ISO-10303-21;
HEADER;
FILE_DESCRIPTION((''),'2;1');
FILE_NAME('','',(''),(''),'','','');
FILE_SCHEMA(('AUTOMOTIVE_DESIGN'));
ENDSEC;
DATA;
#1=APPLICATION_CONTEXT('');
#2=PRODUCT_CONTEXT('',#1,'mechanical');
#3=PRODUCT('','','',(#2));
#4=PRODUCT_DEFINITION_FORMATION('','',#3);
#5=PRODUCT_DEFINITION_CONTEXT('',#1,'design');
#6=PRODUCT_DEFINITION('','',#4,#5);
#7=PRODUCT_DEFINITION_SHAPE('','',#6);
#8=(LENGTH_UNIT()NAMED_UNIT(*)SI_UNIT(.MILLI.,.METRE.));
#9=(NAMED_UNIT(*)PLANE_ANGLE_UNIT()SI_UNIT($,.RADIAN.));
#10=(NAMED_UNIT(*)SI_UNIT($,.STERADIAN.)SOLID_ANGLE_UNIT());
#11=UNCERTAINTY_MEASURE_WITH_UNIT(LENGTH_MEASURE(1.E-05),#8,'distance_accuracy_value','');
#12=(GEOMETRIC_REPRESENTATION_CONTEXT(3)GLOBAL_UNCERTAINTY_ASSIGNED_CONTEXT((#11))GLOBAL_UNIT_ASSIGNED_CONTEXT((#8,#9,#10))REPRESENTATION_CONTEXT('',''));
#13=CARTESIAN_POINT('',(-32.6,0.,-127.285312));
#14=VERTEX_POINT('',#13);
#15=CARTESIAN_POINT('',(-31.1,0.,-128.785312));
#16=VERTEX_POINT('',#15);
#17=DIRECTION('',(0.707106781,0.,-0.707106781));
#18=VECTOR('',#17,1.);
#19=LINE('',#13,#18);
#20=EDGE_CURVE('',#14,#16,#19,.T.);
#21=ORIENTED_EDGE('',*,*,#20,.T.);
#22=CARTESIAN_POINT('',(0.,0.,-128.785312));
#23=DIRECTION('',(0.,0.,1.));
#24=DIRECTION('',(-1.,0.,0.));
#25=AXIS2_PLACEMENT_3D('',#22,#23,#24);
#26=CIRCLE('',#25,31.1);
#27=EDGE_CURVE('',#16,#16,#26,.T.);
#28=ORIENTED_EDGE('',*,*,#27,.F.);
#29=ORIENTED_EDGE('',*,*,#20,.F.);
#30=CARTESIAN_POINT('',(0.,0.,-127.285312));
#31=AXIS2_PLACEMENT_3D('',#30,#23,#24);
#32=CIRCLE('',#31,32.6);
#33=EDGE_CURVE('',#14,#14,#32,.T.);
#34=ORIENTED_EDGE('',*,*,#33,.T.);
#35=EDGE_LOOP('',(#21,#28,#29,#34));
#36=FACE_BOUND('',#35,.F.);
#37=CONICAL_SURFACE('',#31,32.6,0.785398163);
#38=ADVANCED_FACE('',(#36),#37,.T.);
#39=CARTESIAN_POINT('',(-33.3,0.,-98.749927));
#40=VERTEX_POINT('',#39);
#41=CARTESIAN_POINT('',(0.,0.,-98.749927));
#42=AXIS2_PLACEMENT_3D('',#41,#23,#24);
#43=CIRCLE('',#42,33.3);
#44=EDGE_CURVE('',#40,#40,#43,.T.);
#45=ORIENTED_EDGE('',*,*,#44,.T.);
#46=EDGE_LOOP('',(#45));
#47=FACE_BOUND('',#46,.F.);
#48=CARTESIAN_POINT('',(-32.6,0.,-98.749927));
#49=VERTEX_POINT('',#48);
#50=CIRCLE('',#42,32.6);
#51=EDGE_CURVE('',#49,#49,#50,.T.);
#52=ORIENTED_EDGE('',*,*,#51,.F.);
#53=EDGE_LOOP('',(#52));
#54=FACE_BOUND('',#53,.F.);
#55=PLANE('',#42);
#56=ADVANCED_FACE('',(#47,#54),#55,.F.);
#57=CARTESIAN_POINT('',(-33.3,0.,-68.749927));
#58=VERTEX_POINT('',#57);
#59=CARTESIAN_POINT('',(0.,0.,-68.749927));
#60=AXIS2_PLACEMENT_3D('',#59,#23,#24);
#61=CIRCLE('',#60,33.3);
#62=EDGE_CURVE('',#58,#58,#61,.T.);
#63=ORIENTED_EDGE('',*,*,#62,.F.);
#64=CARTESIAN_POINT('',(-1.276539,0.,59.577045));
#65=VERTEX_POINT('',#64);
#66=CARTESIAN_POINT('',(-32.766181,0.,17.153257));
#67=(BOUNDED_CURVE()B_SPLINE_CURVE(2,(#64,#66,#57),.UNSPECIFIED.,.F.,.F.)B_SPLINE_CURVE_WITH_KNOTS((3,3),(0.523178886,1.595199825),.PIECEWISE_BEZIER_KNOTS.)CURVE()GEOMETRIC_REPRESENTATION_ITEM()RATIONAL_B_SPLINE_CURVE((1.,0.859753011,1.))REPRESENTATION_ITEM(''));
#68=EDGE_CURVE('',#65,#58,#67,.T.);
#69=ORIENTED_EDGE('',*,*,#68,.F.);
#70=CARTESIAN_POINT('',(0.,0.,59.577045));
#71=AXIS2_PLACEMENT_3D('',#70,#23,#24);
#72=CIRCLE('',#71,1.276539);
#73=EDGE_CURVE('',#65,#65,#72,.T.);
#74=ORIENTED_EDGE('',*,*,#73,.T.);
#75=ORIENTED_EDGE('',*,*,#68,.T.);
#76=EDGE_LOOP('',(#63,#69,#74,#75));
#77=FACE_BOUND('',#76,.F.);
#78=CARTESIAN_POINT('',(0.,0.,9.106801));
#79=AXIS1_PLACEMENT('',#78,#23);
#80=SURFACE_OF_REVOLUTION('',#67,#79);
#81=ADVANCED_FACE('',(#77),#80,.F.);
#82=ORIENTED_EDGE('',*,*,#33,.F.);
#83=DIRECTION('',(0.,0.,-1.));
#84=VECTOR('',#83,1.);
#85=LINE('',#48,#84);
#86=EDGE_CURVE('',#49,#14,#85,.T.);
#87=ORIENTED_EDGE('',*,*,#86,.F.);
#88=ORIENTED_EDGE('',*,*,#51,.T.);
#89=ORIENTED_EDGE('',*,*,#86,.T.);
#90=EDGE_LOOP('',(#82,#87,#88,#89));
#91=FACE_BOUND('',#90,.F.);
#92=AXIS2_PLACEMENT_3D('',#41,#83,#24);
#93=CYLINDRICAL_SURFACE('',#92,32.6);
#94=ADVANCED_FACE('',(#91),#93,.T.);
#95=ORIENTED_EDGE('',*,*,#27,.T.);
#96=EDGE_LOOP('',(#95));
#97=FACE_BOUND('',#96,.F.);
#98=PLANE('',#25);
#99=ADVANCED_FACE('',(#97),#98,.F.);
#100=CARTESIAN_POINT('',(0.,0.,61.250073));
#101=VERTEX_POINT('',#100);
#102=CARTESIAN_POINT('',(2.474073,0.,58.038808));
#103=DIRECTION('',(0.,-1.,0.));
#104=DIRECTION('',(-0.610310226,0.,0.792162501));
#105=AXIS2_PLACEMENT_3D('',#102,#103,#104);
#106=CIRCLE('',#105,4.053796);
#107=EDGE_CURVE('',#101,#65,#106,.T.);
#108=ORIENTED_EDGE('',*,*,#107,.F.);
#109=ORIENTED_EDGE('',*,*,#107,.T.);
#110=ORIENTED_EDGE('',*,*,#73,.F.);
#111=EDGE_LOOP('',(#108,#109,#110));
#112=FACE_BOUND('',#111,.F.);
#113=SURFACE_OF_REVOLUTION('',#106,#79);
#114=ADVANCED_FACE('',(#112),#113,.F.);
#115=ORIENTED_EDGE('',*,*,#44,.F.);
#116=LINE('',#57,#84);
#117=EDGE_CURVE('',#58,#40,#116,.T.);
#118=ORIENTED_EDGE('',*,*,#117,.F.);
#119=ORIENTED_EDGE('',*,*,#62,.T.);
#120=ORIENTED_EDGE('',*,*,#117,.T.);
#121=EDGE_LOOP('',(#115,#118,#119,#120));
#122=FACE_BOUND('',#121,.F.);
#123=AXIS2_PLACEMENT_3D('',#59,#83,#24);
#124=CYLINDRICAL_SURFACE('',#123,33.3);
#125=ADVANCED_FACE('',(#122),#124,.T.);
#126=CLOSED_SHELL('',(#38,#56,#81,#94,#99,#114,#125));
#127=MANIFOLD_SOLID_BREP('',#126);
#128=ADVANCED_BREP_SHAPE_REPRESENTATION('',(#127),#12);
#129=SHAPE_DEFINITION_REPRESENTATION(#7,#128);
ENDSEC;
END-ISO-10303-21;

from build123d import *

# Parameters (mm, degrees)
F2_SIZE = 1.5


with BuildPart() as f1:
    # F0 (on Front) → F1 (revolve)
    with BuildSketch(Plane.XZ):
        with BuildLine():
            ThreePointArc((0, 61.2500731986), (-0.7487254856, 60.4978384828), (-1.2765385233, 59.5770451738))
            add(Edge.make_bspline(
                [(-1.2765385233, 59.5770451738), (-32.7661807976, 17.1532569546), (-33.3, -68.7499268014)],
                knots=[0.5231788864, 0.5231788864, 0.5231788864, 1.5951998253, 1.5951998253, 1.5951998253], degree=2, weights=[1, 0.8597530114, 1]))
            Line((-33.3, -68.7499268014), (-33.3, -98.7499268014))
            Line((-33.3, -98.7499268014), (-32.6, -98.7499268014))
            Line((-32.6, -98.7499268014), (-32.6, -128.7853121758))
            Line((-32.6, -128.7853121758), (0, -128.7853121758))
            Line((0, -128.7853121758), (0, -98.7499268014))
            Line((0, -98.7499268014), (0, -68.7499268014))
            Line((0, -68.7499268014), (0, 61.2500731986))
        make_face()
    revolve(axis=Axis((0, 0, 9.1068005099), (0, 0, 1)))

    # F2
    f2_edges = [f1.edges().sort_by_distance(p)[0] for p in [
        (32.6, 0, -128.785312),
    ]]
    chamfer(f2_edges, length=F2_SIZE)


solid = f1.part
